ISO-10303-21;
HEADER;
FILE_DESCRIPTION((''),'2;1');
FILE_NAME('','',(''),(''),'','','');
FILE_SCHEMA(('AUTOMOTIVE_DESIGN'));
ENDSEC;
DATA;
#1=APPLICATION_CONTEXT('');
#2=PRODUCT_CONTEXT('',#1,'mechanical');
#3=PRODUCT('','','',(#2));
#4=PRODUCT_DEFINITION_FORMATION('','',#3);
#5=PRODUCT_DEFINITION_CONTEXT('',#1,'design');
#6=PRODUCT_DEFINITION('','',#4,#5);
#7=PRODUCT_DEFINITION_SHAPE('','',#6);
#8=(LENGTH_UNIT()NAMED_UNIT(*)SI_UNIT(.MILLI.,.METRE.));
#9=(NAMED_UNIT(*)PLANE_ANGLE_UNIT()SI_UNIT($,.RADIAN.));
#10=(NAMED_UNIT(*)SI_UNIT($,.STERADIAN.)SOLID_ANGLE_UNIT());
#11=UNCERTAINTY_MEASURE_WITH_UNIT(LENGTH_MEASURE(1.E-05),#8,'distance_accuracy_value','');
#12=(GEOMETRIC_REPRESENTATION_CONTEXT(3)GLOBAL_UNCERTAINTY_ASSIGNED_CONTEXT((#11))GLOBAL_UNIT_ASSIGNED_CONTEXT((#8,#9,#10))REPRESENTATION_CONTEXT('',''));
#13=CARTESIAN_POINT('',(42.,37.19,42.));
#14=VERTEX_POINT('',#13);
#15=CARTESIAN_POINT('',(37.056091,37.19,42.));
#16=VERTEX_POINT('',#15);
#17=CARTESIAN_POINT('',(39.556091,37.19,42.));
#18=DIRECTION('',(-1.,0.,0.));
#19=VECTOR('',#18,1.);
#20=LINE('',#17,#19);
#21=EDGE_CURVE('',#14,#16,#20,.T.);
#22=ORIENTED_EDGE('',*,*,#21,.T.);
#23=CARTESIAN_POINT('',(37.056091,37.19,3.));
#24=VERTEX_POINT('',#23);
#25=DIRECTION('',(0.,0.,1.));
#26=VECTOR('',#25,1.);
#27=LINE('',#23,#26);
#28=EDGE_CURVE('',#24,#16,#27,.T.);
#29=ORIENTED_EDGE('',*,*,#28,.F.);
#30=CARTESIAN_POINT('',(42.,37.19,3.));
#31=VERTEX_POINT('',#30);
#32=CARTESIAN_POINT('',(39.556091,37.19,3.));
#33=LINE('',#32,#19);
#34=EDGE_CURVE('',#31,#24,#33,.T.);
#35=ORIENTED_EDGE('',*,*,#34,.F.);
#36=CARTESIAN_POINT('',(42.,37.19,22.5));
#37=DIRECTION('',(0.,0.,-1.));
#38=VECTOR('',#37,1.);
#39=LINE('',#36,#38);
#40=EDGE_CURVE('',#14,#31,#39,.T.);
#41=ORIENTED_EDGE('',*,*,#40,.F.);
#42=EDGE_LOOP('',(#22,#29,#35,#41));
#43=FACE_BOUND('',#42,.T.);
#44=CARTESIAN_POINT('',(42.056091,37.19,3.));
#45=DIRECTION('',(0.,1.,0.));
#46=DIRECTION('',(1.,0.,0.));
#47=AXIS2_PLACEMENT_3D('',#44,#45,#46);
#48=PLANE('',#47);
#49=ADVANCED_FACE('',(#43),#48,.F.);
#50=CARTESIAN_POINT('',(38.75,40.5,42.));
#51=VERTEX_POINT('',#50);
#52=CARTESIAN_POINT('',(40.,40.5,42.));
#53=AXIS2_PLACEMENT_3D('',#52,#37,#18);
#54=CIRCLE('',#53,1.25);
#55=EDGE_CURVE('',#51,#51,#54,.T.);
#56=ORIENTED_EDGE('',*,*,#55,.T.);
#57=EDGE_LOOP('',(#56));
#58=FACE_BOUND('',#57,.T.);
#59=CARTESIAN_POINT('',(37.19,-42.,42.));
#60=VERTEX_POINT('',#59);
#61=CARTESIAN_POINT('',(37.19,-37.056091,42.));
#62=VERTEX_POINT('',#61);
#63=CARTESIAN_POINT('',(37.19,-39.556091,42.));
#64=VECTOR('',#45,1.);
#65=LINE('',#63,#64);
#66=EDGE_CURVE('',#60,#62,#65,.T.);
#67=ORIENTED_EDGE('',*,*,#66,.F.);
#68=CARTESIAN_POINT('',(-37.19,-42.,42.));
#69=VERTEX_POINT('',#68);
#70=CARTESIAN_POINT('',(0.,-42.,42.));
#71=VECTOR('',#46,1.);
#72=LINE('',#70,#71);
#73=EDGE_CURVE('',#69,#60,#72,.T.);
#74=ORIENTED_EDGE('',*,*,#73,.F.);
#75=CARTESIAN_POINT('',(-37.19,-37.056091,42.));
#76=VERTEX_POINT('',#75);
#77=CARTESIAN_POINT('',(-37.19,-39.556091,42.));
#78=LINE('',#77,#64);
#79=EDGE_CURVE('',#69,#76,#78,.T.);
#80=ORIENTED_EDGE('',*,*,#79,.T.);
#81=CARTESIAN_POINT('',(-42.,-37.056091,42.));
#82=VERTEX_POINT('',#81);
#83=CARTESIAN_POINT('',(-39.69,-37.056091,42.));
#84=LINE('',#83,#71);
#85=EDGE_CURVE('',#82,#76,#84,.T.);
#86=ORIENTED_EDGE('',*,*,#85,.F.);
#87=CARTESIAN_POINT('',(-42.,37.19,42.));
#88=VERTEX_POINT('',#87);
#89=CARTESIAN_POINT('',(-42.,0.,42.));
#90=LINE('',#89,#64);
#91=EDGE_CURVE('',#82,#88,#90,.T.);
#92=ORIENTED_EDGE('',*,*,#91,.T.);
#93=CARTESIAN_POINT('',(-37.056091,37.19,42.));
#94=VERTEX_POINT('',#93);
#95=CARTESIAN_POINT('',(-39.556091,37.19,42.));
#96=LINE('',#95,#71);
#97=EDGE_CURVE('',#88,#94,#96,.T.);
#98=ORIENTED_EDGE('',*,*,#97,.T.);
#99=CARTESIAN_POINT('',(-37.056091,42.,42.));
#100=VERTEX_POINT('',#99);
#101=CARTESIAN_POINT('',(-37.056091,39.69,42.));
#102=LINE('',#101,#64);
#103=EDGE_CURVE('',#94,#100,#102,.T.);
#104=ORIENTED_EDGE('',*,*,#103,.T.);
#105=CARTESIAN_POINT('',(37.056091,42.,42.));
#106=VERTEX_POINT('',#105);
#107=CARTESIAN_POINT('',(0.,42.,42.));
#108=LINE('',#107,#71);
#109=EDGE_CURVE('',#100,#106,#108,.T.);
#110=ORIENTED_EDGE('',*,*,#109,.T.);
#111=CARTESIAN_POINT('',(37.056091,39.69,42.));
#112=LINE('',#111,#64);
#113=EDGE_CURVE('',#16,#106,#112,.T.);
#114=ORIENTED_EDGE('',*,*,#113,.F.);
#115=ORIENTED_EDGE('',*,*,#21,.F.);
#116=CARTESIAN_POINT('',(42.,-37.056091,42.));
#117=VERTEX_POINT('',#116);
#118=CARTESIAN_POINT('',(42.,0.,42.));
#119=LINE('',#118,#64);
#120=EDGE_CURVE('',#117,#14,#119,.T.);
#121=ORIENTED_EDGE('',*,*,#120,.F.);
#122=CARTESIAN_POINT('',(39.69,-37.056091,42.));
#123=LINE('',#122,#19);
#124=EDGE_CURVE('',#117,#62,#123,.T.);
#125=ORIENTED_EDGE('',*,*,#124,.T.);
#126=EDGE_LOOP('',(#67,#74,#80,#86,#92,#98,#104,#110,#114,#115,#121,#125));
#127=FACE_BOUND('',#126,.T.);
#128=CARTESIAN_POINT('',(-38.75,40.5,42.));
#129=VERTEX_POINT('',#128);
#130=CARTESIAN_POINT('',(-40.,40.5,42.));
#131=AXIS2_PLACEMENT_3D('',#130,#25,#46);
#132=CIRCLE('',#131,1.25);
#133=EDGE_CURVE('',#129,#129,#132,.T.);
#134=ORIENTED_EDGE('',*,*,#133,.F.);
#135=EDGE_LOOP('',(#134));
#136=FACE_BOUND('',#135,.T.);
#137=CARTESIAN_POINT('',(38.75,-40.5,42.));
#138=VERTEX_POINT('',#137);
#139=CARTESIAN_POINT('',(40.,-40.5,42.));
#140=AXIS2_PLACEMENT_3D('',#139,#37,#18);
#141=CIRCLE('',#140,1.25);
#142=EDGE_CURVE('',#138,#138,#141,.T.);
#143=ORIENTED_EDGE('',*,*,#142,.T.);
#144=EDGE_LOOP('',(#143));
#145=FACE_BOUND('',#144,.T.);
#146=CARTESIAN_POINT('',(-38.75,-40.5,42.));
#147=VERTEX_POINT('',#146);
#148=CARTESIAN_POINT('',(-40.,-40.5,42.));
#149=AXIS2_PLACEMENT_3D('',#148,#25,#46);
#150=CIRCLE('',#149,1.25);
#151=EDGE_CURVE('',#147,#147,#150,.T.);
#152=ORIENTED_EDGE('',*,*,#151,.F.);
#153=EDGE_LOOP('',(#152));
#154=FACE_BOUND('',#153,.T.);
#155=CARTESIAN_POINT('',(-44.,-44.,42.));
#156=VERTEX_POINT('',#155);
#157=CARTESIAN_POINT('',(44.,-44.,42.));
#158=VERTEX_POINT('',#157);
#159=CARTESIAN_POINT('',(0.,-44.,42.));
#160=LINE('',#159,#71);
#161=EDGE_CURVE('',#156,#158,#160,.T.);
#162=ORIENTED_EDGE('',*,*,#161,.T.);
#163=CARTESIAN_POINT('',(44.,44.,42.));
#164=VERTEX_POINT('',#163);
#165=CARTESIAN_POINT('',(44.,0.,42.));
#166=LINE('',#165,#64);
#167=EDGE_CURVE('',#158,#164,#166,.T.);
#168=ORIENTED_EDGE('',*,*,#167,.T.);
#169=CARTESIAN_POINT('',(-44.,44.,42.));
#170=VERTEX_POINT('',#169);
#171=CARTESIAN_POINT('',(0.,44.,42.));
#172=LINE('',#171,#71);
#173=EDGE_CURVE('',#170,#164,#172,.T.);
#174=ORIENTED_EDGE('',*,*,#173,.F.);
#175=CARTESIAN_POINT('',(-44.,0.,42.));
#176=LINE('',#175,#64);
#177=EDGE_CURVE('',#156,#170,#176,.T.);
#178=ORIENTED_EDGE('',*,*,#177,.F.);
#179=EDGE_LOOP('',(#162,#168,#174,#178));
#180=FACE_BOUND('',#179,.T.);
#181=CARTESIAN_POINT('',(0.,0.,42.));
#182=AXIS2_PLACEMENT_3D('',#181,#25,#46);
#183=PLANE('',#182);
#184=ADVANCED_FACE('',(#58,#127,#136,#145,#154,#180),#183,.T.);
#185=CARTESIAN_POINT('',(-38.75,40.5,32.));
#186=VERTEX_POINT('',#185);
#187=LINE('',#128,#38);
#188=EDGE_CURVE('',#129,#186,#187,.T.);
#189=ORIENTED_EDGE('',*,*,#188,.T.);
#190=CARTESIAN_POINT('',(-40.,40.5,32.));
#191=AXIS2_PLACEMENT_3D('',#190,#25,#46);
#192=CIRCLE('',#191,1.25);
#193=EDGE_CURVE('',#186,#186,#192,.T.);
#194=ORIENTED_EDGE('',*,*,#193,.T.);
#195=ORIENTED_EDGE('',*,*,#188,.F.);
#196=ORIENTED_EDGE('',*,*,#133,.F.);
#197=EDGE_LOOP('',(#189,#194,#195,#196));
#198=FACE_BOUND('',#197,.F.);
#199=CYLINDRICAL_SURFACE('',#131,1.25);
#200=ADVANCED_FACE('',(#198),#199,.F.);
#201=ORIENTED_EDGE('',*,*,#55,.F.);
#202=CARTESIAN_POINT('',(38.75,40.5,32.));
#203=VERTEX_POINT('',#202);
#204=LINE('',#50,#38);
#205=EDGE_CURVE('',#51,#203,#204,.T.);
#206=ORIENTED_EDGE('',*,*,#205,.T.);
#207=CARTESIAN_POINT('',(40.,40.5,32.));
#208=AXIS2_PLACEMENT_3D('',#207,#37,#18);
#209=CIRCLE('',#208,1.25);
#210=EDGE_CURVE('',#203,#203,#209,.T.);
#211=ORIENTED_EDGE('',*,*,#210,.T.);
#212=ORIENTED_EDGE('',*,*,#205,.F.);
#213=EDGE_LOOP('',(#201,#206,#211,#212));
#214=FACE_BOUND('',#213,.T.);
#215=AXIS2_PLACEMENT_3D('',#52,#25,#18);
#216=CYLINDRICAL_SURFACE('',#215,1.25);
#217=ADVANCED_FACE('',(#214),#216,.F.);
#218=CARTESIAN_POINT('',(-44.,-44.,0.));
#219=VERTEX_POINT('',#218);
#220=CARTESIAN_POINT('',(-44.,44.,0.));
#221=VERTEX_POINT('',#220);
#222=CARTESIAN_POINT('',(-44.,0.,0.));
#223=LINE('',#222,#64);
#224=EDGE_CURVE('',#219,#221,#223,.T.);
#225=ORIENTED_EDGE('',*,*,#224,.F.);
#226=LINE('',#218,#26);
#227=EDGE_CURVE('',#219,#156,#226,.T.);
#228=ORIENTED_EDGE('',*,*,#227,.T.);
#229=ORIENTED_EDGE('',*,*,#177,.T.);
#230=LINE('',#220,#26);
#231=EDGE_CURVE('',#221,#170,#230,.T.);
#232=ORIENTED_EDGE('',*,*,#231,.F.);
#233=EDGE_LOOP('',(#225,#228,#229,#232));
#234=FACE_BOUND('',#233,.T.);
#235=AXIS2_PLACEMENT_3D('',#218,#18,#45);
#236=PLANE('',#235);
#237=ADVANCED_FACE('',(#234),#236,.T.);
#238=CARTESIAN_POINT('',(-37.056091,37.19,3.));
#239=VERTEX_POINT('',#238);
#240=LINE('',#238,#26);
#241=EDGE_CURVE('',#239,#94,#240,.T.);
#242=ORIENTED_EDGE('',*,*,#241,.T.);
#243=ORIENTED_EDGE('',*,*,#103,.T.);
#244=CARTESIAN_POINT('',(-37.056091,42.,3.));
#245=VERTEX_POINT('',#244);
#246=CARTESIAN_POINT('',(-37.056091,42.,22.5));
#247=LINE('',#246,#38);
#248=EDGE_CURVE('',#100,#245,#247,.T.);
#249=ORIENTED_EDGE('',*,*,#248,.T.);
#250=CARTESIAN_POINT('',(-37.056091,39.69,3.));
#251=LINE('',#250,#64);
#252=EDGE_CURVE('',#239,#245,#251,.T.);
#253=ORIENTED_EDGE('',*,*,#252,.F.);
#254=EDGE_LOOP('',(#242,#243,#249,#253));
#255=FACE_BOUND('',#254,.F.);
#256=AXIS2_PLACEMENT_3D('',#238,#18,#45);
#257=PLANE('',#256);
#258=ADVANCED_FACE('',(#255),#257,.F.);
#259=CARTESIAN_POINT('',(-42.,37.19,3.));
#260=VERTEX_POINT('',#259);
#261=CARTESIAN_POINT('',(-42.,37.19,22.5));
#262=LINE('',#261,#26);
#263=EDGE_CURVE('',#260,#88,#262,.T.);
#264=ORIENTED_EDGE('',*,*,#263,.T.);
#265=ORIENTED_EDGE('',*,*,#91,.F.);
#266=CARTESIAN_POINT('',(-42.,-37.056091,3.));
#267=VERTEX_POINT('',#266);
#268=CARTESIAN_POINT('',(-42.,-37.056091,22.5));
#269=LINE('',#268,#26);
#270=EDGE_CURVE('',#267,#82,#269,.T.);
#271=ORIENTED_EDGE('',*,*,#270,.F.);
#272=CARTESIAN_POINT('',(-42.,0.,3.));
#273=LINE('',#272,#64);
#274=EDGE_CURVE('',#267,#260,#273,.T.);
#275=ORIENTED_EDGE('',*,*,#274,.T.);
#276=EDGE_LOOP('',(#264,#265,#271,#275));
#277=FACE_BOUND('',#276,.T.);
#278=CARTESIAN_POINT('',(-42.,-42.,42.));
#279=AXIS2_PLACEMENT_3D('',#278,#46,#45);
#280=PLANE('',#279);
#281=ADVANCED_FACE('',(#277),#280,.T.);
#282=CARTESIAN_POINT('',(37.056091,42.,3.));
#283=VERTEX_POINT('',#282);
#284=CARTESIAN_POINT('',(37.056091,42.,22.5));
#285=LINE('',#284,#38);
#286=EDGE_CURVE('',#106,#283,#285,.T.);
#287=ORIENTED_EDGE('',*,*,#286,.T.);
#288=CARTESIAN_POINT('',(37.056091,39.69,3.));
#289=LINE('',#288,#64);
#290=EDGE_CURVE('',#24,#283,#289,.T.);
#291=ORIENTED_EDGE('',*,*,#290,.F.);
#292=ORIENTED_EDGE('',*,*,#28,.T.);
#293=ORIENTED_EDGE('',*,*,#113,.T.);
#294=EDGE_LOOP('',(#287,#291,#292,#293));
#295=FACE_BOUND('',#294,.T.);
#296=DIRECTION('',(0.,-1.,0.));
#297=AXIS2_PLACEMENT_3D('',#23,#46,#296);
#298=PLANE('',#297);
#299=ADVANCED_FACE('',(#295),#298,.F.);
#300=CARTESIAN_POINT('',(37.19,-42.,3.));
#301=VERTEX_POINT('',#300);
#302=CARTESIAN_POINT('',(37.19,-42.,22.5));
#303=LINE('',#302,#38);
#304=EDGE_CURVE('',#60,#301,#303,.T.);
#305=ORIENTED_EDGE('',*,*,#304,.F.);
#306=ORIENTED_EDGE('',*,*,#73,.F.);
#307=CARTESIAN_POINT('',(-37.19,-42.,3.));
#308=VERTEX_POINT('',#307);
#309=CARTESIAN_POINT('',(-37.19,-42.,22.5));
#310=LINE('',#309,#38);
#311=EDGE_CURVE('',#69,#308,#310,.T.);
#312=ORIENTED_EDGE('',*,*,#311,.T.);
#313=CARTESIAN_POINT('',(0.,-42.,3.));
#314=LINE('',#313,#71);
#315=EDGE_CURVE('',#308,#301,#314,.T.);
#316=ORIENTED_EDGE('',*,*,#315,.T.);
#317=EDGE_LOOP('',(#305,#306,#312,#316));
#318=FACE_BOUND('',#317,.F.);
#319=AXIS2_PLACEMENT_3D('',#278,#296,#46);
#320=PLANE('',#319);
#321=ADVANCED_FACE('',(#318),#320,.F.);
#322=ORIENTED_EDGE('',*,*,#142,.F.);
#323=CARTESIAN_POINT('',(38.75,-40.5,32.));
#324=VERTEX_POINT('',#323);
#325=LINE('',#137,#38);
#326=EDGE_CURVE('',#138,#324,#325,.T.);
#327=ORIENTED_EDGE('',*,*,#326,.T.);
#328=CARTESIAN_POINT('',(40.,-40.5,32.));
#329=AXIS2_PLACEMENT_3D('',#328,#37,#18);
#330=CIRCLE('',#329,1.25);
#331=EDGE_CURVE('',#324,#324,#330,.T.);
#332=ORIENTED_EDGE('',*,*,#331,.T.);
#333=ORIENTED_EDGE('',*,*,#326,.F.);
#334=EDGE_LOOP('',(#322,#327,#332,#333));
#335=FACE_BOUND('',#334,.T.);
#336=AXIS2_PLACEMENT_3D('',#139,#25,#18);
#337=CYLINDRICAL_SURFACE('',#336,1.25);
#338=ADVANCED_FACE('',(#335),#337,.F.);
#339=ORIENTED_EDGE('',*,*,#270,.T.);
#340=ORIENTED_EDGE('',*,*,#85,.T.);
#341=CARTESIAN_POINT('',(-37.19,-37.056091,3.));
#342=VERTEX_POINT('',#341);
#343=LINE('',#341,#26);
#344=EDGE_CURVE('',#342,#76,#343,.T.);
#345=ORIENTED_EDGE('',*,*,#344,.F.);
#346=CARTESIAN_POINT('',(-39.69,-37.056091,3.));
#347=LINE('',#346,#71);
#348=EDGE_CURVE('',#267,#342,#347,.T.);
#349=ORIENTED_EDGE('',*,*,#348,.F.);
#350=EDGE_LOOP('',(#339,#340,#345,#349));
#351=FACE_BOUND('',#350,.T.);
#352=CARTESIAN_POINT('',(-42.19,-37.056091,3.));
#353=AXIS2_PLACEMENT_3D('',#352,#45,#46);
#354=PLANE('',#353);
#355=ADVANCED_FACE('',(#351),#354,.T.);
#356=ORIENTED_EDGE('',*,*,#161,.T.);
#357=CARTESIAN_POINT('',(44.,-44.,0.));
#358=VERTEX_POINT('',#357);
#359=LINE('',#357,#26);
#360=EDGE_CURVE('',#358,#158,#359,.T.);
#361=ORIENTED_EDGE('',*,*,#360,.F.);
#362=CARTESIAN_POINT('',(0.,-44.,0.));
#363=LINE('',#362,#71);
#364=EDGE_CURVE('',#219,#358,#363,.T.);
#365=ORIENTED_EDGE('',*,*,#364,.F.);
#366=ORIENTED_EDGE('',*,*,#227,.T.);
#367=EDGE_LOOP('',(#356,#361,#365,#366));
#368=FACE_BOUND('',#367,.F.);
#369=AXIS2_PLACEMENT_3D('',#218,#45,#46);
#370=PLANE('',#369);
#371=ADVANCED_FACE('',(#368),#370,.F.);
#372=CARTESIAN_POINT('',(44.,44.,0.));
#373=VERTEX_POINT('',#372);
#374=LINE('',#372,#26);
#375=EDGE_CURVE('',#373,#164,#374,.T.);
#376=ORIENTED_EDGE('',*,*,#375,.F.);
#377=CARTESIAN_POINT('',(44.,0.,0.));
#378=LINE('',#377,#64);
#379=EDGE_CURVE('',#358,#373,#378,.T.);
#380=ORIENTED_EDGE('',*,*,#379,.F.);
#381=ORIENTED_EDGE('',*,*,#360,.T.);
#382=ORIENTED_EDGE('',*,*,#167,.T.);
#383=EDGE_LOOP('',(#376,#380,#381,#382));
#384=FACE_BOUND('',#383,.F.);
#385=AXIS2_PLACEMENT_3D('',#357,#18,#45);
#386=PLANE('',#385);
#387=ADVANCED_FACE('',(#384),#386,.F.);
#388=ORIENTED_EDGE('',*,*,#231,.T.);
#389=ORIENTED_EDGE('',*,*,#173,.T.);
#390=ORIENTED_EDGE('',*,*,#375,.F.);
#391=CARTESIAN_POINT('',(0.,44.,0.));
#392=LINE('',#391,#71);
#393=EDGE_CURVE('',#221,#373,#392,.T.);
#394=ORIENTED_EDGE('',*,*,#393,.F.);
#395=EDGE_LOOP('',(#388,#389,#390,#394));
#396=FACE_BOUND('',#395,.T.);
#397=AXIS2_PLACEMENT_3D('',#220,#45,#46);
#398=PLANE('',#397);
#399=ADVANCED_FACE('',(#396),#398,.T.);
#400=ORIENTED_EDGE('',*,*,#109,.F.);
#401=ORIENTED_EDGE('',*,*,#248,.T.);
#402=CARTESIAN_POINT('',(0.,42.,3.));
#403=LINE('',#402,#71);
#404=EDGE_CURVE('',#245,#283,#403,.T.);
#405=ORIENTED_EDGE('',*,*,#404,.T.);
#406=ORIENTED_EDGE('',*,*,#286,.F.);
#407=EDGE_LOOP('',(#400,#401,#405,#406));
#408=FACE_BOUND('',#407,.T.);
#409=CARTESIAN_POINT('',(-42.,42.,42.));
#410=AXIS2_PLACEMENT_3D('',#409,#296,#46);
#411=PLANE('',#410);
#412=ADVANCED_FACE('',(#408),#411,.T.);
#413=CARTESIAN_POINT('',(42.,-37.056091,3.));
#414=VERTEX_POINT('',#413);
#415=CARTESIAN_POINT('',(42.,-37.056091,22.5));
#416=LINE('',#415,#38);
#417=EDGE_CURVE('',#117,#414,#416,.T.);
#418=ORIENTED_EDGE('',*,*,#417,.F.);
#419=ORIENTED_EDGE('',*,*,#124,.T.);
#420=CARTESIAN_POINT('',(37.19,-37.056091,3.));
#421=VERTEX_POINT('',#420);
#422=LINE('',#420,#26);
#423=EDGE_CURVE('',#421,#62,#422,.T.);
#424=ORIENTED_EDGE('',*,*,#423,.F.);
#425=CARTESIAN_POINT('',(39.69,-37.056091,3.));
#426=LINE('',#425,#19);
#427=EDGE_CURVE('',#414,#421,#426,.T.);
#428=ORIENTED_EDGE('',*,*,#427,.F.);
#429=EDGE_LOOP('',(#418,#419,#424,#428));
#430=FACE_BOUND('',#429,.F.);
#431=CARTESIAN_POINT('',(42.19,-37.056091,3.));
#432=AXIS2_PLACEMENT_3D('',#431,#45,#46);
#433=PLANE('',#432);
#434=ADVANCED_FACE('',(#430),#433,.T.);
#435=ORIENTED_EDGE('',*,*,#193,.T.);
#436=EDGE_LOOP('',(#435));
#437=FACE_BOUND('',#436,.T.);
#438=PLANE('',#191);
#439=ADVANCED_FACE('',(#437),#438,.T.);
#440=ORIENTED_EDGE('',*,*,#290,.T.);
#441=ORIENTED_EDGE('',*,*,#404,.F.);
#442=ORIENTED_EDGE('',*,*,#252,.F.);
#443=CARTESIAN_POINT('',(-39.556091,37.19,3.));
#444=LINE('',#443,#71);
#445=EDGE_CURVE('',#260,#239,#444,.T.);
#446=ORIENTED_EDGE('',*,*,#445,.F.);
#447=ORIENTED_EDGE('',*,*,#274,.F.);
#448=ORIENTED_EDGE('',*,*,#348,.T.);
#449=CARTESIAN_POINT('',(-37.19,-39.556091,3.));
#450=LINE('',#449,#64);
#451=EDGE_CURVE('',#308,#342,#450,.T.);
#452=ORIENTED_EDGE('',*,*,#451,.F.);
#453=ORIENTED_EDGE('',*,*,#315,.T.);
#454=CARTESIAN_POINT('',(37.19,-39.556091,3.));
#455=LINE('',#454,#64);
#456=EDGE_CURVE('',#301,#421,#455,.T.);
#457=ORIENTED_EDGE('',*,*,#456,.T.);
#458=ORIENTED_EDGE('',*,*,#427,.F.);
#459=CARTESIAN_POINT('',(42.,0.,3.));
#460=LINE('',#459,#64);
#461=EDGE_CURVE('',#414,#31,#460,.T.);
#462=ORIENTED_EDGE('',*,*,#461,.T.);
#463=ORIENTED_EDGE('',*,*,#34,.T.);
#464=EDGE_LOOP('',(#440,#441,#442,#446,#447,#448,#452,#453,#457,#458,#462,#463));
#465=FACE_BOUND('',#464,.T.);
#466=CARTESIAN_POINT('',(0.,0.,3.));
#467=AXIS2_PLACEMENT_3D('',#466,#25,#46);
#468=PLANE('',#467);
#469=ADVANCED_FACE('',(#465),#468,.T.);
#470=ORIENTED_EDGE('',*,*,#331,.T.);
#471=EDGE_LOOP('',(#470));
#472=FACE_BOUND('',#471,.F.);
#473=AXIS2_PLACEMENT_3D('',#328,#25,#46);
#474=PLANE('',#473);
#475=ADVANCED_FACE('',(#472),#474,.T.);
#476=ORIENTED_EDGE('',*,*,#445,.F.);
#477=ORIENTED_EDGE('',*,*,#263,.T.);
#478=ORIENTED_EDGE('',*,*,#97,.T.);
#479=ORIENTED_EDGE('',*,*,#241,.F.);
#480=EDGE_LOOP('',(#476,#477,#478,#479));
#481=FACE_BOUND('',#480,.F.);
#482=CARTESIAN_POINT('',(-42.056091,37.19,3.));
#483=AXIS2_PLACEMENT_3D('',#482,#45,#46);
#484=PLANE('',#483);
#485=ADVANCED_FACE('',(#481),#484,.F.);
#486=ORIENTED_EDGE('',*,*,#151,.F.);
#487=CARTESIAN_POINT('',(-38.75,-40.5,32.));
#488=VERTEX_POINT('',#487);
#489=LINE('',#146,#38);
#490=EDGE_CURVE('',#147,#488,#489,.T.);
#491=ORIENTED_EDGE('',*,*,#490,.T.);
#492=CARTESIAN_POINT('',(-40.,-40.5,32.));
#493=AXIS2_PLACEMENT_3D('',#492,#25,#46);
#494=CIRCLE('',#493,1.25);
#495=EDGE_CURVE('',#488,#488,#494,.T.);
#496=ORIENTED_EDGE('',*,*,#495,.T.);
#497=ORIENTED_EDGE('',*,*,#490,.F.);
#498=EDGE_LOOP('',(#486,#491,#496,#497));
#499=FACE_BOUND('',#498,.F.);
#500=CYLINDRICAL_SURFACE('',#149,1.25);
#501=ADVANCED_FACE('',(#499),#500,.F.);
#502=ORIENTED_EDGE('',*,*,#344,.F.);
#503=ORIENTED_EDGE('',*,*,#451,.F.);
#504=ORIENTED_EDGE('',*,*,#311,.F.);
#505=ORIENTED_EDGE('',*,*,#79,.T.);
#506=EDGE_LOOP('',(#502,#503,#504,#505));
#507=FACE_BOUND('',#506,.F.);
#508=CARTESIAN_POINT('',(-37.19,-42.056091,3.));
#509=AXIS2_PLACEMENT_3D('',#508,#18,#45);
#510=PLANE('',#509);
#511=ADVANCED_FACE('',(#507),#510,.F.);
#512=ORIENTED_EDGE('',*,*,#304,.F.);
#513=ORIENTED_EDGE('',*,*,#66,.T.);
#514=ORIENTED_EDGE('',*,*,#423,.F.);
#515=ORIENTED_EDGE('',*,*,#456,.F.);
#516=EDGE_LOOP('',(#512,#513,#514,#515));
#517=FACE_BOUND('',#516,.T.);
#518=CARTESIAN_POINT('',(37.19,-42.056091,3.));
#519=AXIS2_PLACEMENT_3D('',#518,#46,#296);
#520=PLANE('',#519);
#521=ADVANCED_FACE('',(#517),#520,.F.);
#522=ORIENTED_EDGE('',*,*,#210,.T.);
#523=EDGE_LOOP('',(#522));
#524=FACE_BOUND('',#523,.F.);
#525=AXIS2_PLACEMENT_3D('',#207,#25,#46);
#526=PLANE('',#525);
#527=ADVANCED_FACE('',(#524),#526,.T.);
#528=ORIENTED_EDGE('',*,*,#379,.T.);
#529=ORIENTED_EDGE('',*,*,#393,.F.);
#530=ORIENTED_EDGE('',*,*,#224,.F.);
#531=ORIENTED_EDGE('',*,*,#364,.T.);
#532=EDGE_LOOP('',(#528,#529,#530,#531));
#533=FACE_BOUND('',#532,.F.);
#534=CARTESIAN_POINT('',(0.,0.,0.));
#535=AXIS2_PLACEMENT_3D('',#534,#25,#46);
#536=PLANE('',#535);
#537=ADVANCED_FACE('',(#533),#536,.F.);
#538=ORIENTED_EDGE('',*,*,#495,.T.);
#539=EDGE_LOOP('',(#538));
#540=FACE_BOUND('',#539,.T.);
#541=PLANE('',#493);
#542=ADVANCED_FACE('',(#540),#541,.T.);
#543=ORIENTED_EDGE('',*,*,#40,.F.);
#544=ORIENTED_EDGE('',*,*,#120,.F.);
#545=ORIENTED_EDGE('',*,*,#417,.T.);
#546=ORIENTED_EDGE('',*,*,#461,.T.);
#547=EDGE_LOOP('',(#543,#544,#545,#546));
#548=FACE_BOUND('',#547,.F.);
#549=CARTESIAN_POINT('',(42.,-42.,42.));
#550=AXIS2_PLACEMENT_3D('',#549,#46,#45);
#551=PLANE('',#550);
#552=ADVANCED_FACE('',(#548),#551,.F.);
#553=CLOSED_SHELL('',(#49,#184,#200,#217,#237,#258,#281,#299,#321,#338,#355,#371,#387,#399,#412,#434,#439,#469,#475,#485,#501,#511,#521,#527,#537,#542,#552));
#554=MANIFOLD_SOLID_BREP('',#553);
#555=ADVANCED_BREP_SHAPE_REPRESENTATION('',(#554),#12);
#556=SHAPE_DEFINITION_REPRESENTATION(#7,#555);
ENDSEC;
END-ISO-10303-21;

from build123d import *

# Parameters (mm, degrees)
SKETCH_W        = 88
SKETCH_H        = 88
PAD_DEPTH       = 42
SKETCH001_W     = 84
SKETCH001_H     = 84
POCKET_DEPTH    = 39
SKETCH002_W     = 5
SKETCH002_H     = 5
PAD001_DEPTH    = 39
SKETCH003_R     = 1.25
POCKET001_DEPTH = 10


with BuildPart() as part:
    # Sketch → Pad (new body)
    with BuildSketch(Plane.XY):
        Rectangle(SKETCH_W, SKETCH_H)
    extrude(amount=PAD_DEPTH)

    # Sketch001 (on Face6 of Pad) → Pocket (cut)
    with BuildSketch(Plane.XY.offset(42)):
        Rectangle(SKETCH001_W, SKETCH001_H)
    extrude(amount=-POCKET_DEPTH, mode=Mode.SUBTRACT)

    # Sketch002 (on Face11 of Pocket) → Pad001 (join)
    with BuildSketch(Plane.XY.offset(3)):
        with Locations((-39.556091, 39.69)):
            Rectangle(SKETCH002_W, SKETCH002_H)
        with Locations((-39.69, -39.556091)):
            Rectangle(SKETCH002_W, SKETCH002_H)
    pad001 = extrude(amount=PAD001_DEPTH)

    # Mirrored: Pad001 across Sketch002 V_Axis
    add(pad001.mirror(Plane(origin=(0, 0, 3), x_dir=(0, 0, 1), z_dir=(1, 0, 0))))

    # Sketch003 (on Face6 of Mirrored) → Pocket001 (cut)
    with BuildSketch(Plane.XY.offset(42)):
        with Locations((-40, 40.5)):
            Circle(SKETCH003_R)
        with Locations((-40, -40.5)):
            Circle(SKETCH003_R)
    pocket001 = extrude(amount=-POCKET001_DEPTH, mode=Mode.SUBTRACT)

    # Mirrored001: Pocket001 across Sketch003 V_Axis
    add(pocket001.mirror(Plane(origin=(0, 0, 42), x_dir=(0, 0, 1), z_dir=(1, 0, 0))), mode=Mode.SUBTRACT)


solid = part.part
